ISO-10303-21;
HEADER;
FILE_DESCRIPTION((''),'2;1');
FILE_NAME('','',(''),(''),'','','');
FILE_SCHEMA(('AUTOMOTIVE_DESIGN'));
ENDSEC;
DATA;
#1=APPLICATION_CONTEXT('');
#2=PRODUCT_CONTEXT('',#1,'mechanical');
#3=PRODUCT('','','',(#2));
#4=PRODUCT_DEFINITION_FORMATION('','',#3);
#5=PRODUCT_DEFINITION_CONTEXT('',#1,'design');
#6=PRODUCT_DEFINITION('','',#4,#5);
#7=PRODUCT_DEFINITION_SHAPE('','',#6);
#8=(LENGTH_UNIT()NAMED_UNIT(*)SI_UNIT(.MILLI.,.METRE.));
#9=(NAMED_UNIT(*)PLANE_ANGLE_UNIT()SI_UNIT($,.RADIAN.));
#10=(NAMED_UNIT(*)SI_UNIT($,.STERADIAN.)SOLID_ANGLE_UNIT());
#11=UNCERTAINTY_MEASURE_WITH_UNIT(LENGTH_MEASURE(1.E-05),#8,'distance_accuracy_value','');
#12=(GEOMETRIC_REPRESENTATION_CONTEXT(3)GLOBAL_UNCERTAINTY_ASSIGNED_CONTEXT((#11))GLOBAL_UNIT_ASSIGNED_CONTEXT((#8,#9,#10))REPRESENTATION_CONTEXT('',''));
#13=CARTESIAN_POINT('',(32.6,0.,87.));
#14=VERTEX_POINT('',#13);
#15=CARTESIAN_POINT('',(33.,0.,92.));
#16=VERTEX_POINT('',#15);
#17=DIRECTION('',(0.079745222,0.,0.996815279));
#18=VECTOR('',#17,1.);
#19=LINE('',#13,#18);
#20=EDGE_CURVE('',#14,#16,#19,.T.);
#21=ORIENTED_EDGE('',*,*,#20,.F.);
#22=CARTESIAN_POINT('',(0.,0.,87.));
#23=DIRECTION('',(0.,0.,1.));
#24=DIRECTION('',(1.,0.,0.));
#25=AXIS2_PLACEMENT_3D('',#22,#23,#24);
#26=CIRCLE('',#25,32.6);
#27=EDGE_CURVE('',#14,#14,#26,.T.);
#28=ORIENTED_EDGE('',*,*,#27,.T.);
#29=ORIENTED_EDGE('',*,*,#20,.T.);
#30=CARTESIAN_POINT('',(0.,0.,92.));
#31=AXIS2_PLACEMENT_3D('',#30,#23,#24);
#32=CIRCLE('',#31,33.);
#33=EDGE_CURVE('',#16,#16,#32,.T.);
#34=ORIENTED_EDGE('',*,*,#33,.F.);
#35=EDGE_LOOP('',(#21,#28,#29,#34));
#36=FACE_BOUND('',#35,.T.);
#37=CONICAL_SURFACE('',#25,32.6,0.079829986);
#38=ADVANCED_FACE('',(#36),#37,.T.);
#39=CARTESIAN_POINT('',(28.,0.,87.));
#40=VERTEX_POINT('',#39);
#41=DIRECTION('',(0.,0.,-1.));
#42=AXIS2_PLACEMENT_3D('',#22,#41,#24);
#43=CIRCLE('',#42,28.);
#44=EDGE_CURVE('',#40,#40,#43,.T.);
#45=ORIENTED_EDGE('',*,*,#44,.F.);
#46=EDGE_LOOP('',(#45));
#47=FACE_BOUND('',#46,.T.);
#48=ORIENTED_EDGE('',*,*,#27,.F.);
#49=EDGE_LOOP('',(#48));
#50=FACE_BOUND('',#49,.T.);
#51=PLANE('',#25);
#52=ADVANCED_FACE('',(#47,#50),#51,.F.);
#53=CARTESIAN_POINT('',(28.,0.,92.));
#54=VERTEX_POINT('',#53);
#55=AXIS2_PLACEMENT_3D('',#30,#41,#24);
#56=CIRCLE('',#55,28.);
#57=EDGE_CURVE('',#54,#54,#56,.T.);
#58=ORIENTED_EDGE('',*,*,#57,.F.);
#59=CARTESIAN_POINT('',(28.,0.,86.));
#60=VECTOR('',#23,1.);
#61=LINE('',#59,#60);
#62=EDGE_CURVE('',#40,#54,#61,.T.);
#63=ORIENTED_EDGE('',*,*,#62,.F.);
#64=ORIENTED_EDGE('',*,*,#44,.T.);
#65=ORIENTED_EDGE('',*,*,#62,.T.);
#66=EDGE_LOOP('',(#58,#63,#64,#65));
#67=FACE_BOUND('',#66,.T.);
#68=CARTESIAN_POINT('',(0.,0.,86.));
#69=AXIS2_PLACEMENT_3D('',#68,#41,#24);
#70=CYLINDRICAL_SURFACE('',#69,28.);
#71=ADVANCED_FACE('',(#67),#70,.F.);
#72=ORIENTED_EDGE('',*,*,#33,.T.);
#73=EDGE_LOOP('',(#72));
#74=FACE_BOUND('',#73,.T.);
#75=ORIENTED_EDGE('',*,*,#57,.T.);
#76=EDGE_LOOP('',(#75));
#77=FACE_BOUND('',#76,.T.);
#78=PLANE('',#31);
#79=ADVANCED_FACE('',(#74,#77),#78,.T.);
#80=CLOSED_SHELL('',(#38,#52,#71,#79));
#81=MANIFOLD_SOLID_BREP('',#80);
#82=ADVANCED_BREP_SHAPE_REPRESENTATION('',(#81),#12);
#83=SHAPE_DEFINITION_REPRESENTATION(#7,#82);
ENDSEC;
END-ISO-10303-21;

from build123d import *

# Parameters (mm, degrees)
CYLINDER004_R     = 28
CYLINDER004_DEPTH = 10


with BuildPart() as cylinder004:
    # Cylinder004 → Cylinder004 (new body)
    with BuildSketch(Plane.XY.offset(86)):
        Circle(CYLINDER004_R)
    extrude(amount=CYLINDER004_DEPTH)


with BuildPart() as cut004:
    # Cone004 → Cone004 (revolve)
    with BuildSketch(Plane(origin=(0, 0, 87), x_dir=(1, 0, 0), z_dir=(0, -1, 0))):
        Polygon((0, 0), (32.6, 0), (33, 5), (0, 5), align=None)
    revolve(axis=Axis((0, 0, 87), (0, 0, 1)))

    # Cut004: cut Cylinder004
    add(cylinder004.part, mode=Mode.SUBTRACT)


solid = cut004.part
